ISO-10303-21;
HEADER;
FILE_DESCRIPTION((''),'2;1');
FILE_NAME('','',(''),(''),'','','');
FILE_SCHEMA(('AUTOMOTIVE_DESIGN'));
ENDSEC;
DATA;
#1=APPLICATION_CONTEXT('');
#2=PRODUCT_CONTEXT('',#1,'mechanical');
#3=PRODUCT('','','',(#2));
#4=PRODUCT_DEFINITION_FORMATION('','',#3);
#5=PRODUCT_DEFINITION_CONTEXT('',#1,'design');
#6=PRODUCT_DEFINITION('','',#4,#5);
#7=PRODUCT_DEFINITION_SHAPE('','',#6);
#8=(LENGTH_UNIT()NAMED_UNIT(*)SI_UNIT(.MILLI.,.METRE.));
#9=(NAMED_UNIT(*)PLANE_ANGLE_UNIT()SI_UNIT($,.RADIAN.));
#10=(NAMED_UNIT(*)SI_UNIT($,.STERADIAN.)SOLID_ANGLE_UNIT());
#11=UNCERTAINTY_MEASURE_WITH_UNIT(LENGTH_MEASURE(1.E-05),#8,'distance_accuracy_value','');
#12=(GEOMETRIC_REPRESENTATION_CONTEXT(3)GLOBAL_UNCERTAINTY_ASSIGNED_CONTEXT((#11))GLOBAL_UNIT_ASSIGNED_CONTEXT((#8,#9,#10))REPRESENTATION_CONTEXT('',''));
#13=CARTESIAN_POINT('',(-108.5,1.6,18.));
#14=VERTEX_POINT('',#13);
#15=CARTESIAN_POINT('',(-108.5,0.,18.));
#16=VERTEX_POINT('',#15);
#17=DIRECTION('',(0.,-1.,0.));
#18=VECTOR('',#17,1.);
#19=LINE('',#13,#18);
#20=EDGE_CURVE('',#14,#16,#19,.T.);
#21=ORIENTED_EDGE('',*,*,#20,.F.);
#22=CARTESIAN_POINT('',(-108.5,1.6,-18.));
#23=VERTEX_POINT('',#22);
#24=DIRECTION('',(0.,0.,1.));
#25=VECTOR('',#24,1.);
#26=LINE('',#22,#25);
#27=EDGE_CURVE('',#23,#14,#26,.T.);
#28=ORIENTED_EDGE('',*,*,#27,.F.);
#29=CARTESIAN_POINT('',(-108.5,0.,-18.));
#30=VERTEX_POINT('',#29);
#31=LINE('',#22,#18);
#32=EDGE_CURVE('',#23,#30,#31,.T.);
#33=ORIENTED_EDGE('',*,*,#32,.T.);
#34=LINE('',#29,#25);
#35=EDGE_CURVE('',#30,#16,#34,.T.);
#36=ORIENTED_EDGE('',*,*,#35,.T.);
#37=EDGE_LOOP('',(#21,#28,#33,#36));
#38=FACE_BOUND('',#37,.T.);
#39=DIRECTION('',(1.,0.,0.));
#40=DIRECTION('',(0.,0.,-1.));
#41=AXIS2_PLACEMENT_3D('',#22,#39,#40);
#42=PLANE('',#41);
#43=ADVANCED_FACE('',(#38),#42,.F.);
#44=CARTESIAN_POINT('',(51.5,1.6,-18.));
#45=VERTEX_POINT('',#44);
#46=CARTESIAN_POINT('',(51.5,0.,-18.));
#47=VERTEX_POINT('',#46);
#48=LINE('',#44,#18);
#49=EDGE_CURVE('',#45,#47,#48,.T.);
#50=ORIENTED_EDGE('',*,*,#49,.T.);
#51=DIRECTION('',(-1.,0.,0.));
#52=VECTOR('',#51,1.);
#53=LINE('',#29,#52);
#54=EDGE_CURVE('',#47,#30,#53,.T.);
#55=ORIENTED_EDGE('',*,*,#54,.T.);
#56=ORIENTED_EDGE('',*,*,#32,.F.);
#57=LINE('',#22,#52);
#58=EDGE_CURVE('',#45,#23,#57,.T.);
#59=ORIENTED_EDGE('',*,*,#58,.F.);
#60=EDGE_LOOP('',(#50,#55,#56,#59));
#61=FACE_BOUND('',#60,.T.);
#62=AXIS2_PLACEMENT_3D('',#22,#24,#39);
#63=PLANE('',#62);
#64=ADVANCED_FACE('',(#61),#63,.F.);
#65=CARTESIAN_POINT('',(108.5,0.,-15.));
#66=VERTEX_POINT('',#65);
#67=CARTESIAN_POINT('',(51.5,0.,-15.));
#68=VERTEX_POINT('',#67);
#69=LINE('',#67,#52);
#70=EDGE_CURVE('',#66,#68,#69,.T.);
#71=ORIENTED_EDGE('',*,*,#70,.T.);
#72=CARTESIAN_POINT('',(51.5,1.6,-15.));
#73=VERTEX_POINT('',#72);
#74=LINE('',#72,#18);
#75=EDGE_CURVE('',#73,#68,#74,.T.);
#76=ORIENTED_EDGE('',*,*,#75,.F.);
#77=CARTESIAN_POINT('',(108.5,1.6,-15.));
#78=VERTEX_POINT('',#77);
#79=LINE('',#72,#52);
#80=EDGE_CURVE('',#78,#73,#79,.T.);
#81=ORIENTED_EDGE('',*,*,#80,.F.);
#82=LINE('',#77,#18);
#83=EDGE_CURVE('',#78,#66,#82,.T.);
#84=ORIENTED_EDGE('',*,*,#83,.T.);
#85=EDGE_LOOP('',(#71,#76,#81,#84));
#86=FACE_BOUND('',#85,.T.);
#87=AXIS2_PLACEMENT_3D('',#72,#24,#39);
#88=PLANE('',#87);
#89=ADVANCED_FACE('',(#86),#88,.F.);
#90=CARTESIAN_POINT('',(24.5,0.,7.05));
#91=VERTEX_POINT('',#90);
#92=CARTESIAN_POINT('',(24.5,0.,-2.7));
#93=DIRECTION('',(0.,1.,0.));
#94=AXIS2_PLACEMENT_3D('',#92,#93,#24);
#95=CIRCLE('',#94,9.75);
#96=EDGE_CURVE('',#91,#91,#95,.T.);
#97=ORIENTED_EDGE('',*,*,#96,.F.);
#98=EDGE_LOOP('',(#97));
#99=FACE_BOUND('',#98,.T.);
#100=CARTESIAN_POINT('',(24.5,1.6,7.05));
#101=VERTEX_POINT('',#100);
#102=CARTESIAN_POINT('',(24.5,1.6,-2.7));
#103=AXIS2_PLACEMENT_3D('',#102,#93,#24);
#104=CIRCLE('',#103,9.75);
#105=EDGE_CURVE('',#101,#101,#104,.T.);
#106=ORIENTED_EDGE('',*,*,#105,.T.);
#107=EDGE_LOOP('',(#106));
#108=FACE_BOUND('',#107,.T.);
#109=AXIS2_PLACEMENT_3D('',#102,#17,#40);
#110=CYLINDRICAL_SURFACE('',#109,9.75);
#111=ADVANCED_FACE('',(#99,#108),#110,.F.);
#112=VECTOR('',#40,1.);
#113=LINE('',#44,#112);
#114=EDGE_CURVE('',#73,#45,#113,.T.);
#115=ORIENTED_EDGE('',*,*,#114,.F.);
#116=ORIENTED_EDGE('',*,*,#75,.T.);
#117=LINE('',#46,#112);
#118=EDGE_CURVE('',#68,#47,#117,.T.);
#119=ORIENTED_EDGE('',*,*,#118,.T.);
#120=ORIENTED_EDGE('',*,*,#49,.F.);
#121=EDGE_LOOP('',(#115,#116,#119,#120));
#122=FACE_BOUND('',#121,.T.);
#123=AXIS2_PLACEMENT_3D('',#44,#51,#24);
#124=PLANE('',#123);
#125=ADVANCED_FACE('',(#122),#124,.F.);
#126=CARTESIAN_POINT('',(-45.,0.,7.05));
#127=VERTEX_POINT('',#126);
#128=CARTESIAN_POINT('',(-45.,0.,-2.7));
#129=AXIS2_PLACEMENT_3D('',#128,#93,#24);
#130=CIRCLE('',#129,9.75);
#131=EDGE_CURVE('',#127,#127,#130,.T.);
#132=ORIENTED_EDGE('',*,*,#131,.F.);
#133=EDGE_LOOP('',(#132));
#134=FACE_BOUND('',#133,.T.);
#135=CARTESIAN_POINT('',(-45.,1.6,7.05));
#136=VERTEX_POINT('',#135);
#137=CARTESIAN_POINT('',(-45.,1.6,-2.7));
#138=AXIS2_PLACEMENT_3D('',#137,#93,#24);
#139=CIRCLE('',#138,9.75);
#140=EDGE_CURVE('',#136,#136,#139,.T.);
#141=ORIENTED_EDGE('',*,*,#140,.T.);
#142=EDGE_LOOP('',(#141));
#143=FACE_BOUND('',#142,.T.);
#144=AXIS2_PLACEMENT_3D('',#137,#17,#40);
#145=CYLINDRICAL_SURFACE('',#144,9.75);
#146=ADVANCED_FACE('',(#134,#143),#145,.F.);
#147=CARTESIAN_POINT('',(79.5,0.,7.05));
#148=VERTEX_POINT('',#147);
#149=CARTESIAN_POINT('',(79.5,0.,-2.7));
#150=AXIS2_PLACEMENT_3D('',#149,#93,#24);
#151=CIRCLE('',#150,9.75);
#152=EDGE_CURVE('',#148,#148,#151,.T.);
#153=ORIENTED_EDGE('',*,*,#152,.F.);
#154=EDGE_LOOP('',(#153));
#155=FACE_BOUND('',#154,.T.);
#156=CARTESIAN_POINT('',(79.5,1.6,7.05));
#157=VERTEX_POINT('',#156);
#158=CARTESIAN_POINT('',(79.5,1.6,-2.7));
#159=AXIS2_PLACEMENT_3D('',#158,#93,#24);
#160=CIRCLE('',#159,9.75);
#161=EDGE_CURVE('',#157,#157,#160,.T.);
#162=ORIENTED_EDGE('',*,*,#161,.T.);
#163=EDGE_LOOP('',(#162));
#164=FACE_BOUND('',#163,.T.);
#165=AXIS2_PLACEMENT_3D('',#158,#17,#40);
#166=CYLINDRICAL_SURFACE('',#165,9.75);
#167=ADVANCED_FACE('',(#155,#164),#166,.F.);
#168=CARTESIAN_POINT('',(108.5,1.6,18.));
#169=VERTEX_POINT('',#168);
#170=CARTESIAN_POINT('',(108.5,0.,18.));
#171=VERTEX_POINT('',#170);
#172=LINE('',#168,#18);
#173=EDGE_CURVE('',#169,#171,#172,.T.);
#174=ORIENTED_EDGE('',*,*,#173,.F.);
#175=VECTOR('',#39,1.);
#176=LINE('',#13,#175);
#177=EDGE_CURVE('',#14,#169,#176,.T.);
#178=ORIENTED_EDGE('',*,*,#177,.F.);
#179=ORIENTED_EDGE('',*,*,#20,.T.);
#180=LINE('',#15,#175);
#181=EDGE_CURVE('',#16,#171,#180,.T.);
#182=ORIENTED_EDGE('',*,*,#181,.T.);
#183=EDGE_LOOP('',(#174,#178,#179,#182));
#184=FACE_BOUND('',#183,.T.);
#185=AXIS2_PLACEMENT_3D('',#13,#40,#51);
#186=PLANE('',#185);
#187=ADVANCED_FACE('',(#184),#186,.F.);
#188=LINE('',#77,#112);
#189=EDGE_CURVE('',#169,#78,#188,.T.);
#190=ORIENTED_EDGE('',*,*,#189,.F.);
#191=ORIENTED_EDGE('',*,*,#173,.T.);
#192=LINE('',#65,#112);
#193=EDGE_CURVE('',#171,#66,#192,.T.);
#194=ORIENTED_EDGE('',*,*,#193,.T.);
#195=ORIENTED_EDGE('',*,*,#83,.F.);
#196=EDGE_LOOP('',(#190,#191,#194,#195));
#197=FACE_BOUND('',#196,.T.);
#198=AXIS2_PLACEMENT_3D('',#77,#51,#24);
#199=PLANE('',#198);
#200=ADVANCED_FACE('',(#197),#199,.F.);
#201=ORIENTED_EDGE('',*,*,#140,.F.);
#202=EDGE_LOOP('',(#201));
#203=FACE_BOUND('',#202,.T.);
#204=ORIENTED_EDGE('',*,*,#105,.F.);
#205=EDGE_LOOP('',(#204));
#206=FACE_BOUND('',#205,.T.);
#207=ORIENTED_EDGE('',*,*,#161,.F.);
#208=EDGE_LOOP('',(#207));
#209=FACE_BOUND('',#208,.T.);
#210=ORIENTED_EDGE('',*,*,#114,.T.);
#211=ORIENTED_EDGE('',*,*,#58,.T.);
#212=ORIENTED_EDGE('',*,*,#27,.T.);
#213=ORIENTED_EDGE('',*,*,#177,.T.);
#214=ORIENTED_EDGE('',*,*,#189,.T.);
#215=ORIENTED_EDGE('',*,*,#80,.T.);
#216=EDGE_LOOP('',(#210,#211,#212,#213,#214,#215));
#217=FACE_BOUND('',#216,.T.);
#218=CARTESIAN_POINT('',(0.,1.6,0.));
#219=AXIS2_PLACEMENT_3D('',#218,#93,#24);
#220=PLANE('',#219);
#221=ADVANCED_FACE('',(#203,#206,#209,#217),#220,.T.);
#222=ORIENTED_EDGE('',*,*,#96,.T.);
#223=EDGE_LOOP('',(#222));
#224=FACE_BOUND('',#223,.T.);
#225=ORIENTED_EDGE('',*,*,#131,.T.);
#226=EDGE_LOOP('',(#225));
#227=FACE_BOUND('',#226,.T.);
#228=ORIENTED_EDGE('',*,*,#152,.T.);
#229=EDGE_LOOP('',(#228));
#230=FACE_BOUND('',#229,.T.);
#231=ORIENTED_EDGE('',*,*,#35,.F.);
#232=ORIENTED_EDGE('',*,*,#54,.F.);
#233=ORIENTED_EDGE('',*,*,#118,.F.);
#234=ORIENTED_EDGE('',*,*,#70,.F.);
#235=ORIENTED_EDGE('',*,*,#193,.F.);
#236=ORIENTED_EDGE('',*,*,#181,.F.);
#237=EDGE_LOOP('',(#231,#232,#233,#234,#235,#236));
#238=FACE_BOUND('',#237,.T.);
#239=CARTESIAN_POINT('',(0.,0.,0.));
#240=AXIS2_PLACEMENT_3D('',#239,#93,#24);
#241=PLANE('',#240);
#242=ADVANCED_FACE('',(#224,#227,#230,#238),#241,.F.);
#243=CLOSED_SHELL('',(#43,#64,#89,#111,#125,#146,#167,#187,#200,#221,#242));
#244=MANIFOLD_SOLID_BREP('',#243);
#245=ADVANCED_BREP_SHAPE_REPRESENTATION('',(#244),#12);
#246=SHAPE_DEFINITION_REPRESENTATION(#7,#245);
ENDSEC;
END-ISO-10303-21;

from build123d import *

# Parameters (mm, degrees)
SKETCH2_R           = 9.75
BOSS_EXTRUDE1_DEPTH = 1.6


with BuildPart() as part:
    # Sketch2 → Boss-Extrude1 (new body)
    with BuildSketch(Plane(origin=(0, 0, 0), x_dir=(1, 0, 0), z_dir=(0, 1, 0))):
        Polygon((-108.5, 18), (51.5, 18), (51.5, 15), (108.5, 15), (108.5, -18), (-108.5, -18), align=None)
        with Locations(Location((-45, 2.7, 0), (0, 0, 270))):
            Circle(SKETCH2_R, mode=Mode.SUBTRACT)
        with Locations(Location((24.5, 2.7, 0), (0, 0, 270))):
            Circle(SKETCH2_R, mode=Mode.SUBTRACT)
        with Locations(Location((79.5, 2.7, 0), (0, 0, 270))):
            Circle(SKETCH2_R, mode=Mode.SUBTRACT)
    extrude(amount=BOSS_EXTRUDE1_DEPTH)


solid = part.part
